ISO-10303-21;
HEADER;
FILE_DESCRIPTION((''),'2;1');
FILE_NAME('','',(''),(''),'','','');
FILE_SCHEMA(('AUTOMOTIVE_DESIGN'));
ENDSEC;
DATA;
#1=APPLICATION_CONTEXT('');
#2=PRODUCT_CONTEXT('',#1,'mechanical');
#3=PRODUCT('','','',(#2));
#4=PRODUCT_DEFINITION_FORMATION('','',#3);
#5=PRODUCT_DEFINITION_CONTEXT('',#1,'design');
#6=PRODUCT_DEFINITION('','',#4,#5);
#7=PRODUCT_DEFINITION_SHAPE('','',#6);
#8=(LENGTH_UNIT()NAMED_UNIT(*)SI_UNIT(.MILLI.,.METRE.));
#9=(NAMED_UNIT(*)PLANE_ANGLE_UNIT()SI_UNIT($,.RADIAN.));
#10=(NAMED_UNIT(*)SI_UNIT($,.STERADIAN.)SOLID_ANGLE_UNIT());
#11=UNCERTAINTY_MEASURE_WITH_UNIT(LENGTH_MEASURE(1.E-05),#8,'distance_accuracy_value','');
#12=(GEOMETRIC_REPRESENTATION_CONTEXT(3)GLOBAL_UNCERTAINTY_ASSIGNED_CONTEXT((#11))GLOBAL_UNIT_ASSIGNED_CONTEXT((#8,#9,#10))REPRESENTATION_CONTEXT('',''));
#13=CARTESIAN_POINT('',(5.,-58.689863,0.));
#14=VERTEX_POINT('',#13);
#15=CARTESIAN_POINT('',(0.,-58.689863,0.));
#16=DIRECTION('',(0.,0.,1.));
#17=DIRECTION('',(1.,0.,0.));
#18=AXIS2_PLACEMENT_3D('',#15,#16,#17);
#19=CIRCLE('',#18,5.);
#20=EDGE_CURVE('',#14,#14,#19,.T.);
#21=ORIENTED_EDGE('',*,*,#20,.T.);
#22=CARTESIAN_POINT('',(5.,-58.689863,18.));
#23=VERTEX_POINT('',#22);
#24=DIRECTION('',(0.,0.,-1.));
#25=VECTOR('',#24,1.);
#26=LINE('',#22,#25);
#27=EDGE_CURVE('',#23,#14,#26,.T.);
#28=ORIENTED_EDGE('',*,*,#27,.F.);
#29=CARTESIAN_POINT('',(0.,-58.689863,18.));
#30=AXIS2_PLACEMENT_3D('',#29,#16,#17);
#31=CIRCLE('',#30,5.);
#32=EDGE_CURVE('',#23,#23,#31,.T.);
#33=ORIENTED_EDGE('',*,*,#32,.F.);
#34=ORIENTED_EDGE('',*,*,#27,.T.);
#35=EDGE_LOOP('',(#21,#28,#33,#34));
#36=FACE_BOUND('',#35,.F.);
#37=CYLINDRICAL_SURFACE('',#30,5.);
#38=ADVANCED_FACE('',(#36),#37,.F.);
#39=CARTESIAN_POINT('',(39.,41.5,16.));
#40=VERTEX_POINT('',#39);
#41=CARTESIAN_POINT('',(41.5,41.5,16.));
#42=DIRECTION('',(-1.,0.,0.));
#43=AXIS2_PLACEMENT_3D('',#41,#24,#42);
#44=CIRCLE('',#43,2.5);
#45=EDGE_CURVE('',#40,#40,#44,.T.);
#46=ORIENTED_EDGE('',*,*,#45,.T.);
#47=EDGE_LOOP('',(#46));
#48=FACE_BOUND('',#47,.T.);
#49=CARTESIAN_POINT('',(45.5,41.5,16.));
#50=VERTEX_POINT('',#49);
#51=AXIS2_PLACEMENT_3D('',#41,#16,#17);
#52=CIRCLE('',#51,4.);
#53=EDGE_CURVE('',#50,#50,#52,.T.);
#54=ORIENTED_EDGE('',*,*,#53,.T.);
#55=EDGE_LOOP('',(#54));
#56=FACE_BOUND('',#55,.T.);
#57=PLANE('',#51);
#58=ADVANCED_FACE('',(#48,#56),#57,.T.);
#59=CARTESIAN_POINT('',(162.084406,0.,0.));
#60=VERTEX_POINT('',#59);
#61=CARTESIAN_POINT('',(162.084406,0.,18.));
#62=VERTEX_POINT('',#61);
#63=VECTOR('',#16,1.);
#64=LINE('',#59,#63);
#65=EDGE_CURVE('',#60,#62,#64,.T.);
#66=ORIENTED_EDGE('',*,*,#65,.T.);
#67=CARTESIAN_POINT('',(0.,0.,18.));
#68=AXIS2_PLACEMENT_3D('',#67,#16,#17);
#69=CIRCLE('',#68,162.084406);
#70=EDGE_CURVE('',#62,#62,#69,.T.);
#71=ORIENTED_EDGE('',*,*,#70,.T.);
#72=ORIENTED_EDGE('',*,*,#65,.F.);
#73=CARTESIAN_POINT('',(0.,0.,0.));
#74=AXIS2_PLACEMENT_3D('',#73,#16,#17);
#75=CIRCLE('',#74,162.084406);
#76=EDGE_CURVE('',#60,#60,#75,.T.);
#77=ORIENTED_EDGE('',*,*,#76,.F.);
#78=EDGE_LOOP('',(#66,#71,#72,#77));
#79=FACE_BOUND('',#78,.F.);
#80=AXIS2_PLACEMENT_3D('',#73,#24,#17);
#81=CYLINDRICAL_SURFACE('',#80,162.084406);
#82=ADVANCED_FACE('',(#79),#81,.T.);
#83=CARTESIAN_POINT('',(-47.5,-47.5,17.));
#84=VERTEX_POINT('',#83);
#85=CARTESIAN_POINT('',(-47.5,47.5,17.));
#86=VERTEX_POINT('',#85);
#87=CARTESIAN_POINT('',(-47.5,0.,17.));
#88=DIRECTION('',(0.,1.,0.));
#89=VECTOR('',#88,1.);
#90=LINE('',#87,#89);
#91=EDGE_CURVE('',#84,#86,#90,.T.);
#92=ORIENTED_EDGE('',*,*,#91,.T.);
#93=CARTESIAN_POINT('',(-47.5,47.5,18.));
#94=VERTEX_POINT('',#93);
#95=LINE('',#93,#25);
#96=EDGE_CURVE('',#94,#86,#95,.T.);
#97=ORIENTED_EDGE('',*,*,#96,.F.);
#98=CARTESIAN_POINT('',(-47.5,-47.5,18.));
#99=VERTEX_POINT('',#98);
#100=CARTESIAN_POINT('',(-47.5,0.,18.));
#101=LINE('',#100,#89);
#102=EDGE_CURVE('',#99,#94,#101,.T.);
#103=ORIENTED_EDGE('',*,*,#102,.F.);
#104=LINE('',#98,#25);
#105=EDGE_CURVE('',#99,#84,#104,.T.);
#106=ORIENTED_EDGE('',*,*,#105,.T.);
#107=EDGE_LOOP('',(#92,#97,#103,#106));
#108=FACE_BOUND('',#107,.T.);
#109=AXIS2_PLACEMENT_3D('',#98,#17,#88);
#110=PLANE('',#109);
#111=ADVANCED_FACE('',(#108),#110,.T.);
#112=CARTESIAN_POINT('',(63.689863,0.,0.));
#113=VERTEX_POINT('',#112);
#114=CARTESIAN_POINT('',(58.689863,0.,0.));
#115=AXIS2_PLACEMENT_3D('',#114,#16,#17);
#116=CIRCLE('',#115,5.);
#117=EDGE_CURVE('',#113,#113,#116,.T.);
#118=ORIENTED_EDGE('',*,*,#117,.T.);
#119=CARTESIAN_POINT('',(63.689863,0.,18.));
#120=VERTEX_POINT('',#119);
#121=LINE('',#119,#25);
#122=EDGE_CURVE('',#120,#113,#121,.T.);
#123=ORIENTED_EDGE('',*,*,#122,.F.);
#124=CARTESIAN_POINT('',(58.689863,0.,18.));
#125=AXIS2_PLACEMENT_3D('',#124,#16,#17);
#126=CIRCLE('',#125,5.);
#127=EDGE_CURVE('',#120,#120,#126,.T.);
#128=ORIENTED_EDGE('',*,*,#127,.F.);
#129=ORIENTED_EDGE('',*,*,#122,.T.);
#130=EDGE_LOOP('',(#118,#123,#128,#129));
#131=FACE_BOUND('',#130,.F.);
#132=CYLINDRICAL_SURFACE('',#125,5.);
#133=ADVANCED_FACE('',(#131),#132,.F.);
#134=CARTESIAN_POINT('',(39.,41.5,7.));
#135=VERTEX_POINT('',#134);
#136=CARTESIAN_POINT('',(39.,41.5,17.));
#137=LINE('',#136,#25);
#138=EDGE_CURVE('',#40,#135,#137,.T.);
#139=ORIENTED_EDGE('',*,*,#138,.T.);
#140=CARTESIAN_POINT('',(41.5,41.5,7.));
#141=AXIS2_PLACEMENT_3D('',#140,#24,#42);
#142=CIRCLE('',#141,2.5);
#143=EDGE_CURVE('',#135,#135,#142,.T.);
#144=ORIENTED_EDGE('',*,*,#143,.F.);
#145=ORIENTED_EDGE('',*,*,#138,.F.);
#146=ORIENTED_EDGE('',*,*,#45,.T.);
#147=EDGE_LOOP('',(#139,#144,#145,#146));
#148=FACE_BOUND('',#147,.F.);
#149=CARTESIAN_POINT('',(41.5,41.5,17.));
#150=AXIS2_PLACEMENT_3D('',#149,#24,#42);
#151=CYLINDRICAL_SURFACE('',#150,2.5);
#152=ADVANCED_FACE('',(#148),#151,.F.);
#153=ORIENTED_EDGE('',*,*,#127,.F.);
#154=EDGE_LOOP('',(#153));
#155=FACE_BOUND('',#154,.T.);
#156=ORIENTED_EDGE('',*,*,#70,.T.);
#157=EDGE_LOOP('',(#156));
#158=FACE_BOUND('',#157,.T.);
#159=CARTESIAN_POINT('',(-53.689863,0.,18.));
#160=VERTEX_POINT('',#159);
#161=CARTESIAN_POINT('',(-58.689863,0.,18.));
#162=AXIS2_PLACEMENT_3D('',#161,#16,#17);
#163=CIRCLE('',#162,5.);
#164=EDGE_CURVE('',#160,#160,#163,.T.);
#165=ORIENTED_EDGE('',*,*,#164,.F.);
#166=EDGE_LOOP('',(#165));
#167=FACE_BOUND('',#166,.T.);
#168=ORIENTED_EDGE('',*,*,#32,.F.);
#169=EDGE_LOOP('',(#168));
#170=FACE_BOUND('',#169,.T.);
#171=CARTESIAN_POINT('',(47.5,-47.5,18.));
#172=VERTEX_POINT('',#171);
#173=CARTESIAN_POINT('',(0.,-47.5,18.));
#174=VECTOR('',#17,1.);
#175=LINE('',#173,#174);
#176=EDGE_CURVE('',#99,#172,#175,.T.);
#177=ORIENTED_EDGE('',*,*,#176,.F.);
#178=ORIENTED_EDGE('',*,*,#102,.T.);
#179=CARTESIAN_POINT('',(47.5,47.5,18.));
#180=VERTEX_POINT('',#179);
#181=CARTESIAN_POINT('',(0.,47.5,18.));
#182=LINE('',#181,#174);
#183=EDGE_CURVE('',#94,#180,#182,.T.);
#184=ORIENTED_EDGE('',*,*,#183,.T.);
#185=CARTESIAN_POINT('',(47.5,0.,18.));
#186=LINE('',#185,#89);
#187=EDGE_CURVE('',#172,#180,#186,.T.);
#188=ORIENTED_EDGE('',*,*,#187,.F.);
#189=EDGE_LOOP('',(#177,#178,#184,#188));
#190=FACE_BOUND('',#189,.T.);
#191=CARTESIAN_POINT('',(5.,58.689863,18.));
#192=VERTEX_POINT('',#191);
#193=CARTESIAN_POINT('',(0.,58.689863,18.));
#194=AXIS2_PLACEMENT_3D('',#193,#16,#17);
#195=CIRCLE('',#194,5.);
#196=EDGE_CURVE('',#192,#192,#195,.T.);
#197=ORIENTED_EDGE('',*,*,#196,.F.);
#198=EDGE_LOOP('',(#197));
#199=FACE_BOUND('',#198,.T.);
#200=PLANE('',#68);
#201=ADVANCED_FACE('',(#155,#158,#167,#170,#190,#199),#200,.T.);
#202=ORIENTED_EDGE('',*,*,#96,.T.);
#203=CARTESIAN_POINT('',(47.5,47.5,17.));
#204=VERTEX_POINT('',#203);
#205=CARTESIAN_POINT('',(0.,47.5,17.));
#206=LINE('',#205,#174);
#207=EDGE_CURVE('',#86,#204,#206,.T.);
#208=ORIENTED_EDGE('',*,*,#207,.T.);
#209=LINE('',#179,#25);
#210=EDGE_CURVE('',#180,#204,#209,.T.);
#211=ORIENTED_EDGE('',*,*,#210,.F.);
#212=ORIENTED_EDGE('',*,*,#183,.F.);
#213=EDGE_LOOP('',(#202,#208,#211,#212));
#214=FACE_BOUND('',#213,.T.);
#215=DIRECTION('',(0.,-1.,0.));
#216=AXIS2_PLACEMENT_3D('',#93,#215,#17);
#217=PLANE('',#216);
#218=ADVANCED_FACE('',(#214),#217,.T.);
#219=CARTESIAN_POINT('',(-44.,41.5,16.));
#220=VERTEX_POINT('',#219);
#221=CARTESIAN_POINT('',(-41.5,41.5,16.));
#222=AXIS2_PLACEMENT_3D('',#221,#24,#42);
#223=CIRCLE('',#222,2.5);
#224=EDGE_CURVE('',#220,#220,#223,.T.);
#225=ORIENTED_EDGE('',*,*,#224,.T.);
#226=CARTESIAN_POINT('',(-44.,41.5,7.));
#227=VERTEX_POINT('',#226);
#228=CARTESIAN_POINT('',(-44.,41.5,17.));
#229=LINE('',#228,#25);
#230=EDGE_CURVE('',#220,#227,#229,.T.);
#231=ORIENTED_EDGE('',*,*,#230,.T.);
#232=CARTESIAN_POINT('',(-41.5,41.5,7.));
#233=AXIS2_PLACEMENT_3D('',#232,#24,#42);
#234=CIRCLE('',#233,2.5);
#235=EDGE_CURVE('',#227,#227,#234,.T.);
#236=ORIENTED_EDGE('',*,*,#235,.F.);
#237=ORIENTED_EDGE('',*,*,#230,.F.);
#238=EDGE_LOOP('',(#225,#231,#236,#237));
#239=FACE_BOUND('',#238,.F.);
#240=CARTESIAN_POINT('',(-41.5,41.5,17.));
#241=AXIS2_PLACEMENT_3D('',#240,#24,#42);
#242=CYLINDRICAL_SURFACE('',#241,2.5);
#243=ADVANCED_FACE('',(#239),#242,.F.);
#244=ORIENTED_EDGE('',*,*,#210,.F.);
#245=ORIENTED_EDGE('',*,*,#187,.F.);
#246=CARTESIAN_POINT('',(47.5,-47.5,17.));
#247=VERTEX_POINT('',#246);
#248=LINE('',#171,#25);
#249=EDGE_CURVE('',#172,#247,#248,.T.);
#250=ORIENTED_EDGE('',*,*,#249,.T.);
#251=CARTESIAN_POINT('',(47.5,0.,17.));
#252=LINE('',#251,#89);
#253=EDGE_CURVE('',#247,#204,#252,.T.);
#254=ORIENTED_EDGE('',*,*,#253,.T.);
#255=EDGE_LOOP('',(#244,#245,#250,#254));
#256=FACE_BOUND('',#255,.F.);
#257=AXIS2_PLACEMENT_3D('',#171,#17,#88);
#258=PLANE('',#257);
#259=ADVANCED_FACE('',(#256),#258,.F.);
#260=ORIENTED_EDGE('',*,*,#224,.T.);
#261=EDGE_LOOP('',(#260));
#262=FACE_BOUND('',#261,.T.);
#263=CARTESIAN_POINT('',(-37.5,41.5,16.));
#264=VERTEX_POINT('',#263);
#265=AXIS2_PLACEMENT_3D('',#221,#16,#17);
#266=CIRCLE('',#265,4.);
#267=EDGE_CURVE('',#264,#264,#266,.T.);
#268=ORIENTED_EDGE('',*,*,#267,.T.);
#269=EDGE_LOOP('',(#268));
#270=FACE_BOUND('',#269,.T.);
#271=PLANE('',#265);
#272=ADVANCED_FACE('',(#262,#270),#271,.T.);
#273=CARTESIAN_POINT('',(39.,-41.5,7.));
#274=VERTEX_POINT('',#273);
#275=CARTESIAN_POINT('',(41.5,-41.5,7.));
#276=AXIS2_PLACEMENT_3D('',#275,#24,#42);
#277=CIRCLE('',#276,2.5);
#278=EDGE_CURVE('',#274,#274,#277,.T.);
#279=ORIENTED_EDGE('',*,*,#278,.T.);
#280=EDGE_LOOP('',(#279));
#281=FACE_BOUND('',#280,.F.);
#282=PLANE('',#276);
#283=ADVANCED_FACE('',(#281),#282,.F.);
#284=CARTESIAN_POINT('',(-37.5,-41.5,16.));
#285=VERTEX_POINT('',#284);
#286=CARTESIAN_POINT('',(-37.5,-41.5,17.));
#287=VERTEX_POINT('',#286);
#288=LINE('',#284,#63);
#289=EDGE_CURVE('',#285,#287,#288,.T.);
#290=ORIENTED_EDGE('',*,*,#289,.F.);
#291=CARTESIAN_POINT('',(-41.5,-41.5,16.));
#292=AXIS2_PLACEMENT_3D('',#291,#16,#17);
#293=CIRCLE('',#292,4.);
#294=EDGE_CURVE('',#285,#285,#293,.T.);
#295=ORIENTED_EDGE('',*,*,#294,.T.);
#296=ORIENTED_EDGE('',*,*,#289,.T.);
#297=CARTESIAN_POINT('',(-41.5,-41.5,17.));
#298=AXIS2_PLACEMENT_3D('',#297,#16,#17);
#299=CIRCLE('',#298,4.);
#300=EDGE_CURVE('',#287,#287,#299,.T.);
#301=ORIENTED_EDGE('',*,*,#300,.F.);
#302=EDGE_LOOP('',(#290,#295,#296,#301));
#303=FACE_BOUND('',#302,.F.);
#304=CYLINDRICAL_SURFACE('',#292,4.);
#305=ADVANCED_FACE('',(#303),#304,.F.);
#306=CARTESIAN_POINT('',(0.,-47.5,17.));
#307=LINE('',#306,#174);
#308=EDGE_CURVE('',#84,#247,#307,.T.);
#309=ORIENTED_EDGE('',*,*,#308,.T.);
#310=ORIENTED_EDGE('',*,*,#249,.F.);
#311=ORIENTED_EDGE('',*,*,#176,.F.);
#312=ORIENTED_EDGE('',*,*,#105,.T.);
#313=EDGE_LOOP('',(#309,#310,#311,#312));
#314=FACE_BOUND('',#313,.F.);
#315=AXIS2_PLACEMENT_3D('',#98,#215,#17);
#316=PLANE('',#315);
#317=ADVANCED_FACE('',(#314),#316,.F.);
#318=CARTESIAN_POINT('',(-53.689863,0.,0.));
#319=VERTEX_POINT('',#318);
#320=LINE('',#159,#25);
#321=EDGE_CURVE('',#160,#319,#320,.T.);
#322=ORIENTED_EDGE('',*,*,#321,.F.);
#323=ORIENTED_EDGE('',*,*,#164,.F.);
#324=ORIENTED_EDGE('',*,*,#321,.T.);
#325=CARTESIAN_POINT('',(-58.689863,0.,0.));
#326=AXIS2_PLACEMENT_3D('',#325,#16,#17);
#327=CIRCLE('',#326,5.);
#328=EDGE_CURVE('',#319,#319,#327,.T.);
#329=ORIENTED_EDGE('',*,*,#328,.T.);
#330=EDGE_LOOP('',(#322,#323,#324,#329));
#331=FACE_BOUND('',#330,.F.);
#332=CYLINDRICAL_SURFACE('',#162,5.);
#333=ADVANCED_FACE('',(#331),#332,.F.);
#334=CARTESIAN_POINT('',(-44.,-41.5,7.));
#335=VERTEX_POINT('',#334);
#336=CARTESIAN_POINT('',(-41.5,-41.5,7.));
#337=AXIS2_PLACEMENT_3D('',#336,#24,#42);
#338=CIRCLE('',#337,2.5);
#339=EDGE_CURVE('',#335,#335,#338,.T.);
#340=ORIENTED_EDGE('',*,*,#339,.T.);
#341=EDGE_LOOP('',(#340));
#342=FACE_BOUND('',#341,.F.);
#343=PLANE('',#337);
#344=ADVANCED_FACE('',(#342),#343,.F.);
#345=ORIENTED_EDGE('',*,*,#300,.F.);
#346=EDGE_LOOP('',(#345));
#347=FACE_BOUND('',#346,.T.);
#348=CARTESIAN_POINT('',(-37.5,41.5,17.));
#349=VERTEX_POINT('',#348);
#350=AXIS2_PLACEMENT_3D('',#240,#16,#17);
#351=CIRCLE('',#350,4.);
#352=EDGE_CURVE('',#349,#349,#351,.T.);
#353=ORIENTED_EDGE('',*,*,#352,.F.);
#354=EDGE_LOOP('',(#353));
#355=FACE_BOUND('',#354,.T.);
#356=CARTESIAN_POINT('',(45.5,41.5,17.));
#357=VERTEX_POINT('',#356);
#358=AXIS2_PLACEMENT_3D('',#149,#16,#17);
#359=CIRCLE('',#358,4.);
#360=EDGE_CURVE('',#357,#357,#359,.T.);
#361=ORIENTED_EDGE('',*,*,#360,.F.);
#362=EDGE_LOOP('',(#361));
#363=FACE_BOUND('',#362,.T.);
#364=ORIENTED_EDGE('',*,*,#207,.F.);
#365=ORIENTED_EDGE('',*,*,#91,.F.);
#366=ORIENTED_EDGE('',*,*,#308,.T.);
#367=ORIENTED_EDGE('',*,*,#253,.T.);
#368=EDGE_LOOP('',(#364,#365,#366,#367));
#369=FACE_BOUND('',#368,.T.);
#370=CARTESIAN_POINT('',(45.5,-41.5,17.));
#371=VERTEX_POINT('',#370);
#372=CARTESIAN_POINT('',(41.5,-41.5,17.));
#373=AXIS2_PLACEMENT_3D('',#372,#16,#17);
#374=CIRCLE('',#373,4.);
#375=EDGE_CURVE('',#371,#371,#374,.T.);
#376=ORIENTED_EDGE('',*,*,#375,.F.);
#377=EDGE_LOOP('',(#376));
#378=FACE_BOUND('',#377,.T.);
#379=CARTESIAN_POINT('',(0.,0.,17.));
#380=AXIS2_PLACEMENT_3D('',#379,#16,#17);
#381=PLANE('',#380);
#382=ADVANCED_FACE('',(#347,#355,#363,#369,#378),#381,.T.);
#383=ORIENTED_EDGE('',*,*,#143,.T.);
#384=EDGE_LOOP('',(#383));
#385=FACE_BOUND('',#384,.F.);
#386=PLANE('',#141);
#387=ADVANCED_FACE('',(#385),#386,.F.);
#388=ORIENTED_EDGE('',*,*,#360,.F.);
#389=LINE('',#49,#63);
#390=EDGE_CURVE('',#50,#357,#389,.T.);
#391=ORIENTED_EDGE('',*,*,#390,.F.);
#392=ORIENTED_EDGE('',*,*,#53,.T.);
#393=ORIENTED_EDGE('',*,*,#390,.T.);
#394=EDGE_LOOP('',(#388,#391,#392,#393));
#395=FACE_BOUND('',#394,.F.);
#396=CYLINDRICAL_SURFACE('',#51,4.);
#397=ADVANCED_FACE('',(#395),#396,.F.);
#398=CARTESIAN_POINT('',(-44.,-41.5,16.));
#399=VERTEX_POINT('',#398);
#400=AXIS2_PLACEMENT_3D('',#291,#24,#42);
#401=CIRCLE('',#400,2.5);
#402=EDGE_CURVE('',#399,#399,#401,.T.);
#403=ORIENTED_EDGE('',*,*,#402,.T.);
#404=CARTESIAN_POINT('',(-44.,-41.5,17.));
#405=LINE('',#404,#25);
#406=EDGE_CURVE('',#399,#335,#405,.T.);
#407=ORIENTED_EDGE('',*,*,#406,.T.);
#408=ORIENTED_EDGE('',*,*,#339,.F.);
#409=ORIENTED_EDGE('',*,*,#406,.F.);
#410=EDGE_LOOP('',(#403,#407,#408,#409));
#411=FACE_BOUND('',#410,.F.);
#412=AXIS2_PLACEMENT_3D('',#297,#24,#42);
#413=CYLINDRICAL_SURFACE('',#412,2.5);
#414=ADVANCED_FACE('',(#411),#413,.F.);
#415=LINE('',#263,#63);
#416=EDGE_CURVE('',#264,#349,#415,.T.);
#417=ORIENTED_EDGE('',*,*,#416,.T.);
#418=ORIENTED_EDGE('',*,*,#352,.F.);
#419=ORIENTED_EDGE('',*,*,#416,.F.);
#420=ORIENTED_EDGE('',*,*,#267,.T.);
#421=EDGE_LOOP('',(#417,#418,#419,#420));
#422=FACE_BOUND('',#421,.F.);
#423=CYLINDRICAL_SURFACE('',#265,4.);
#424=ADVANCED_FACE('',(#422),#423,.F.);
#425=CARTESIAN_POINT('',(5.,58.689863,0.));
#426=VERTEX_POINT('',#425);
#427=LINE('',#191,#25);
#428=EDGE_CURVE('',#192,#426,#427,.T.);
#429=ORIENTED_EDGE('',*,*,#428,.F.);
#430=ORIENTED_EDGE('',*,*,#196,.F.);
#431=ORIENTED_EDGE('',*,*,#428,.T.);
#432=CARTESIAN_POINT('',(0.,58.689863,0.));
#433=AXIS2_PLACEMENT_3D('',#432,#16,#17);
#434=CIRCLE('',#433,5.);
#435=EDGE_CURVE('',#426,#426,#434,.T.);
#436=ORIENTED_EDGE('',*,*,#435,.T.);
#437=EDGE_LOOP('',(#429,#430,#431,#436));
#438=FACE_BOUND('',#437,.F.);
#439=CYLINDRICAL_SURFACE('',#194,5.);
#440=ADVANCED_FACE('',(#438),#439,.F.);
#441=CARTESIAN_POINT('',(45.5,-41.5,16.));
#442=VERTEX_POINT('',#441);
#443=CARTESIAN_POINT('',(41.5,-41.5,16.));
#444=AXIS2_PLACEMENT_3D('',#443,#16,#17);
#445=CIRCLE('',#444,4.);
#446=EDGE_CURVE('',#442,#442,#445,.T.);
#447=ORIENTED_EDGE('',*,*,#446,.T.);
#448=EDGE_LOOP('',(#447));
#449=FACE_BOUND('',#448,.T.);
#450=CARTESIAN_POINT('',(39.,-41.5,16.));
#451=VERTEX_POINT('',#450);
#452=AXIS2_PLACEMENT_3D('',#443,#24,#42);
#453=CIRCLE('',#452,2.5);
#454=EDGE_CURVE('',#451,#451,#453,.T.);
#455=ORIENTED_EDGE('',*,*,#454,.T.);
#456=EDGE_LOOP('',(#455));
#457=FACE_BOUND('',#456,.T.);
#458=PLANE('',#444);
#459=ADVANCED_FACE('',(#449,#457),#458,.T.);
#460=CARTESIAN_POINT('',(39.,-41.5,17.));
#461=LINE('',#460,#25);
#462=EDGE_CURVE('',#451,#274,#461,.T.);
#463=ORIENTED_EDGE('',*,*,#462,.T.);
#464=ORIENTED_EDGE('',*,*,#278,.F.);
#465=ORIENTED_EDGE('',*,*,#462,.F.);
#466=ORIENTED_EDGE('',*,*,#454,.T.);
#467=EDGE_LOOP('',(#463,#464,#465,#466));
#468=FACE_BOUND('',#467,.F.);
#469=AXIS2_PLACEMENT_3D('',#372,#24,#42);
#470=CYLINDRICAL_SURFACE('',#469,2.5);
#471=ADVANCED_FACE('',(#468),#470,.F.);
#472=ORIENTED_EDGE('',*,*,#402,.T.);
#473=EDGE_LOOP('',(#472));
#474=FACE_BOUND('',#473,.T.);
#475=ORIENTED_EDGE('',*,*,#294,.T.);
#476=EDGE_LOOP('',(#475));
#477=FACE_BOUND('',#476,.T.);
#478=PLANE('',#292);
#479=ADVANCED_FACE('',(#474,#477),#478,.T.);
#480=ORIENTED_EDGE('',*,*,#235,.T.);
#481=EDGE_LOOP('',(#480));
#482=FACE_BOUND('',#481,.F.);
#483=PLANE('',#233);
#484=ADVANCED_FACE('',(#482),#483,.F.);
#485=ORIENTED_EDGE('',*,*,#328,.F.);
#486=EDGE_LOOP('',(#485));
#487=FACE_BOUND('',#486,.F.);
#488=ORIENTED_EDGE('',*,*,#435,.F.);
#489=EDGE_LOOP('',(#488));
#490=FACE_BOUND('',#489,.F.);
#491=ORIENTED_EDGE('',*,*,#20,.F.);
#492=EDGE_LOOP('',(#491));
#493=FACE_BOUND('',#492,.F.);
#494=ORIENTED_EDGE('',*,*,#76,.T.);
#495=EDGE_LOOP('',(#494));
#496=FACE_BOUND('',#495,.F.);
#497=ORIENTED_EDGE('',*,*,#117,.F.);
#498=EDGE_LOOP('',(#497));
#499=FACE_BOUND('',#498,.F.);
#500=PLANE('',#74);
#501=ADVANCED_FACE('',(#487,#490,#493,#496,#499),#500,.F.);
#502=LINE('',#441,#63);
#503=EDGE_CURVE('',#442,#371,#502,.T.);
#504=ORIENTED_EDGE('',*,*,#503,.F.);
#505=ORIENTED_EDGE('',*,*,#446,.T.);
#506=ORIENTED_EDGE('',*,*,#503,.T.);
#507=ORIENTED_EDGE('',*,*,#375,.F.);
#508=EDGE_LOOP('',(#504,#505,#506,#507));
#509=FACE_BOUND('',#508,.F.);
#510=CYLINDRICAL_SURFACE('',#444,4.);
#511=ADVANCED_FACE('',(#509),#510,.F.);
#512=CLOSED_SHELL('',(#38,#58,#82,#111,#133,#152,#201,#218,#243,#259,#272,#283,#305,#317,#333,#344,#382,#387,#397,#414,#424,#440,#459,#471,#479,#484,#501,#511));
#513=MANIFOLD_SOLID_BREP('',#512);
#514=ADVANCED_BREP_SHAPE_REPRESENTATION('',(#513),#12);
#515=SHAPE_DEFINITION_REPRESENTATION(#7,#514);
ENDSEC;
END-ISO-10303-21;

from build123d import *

# Parameters (mm, degrees)
SKETCH003_R      = 162.0844056183
PAD002_DEPTH     = 18
SKETCH009_W      = 95
SKETCH009_H      = 95
POCKET002_DEPTH  = 1
HOLE_D           = 5
HOLE_DEPTH       = 10
HOLE_CBORE_D     = 8
HOLE_CBORE_DEPTH = 1
SKETCH011_R      = 5
POCKET003_DEPTH  = 18.001


with BuildPart() as part:
    # Sketch003 → Pad002 (new body)
    with BuildSketch(Plane.XY):
        Circle(SKETCH003_R)
    extrude(amount=PAD002_DEPTH)

    # Sketch009 (on Face3 of Pad002) → Pocket002 (cut)
    with BuildSketch(Plane.XY.offset(18)):
        Rectangle(SKETCH009_W, SKETCH009_H)
    extrude(amount=-POCKET002_DEPTH, mode=Mode.SUBTRACT)

    # Hole
    with Locations(Plane.XY.offset(17)):
        with Locations((-41.5, 41.5), (41.5, 41.5), (-41.5, -41.5), (41.5, -41.5)):
            CounterBoreHole(HOLE_D / 2, HOLE_CBORE_D / 2, HOLE_CBORE_DEPTH, depth=HOLE_DEPTH)

    # Sketch011 (on Face3 of Hole) → Pocket003 (cut, through all)
    with BuildSketch(Plane.XY.offset(18)):
        with Locations((-58.6898628385, 0)):
            Circle(SKETCH011_R)
        with Locations((0, 58.6898628385)):
            Circle(SKETCH011_R)
        with Locations((58.6898628385, 0)):
            Circle(SKETCH011_R)
        with Locations((0, -58.6898628385)):
            Circle(SKETCH011_R)
    extrude(amount=-POCKET003_DEPTH, mode=Mode.SUBTRACT)


with BuildPart() as part_1:
    # Clone004 placement: moved
    add(part.part.moved(Location((0, 0, -24))))


with BuildPart() as part_2:
    # Clone015 placement: moved
    add(part_1.part.moved(Location((0, 0, 24))))


solid = part_2.part
